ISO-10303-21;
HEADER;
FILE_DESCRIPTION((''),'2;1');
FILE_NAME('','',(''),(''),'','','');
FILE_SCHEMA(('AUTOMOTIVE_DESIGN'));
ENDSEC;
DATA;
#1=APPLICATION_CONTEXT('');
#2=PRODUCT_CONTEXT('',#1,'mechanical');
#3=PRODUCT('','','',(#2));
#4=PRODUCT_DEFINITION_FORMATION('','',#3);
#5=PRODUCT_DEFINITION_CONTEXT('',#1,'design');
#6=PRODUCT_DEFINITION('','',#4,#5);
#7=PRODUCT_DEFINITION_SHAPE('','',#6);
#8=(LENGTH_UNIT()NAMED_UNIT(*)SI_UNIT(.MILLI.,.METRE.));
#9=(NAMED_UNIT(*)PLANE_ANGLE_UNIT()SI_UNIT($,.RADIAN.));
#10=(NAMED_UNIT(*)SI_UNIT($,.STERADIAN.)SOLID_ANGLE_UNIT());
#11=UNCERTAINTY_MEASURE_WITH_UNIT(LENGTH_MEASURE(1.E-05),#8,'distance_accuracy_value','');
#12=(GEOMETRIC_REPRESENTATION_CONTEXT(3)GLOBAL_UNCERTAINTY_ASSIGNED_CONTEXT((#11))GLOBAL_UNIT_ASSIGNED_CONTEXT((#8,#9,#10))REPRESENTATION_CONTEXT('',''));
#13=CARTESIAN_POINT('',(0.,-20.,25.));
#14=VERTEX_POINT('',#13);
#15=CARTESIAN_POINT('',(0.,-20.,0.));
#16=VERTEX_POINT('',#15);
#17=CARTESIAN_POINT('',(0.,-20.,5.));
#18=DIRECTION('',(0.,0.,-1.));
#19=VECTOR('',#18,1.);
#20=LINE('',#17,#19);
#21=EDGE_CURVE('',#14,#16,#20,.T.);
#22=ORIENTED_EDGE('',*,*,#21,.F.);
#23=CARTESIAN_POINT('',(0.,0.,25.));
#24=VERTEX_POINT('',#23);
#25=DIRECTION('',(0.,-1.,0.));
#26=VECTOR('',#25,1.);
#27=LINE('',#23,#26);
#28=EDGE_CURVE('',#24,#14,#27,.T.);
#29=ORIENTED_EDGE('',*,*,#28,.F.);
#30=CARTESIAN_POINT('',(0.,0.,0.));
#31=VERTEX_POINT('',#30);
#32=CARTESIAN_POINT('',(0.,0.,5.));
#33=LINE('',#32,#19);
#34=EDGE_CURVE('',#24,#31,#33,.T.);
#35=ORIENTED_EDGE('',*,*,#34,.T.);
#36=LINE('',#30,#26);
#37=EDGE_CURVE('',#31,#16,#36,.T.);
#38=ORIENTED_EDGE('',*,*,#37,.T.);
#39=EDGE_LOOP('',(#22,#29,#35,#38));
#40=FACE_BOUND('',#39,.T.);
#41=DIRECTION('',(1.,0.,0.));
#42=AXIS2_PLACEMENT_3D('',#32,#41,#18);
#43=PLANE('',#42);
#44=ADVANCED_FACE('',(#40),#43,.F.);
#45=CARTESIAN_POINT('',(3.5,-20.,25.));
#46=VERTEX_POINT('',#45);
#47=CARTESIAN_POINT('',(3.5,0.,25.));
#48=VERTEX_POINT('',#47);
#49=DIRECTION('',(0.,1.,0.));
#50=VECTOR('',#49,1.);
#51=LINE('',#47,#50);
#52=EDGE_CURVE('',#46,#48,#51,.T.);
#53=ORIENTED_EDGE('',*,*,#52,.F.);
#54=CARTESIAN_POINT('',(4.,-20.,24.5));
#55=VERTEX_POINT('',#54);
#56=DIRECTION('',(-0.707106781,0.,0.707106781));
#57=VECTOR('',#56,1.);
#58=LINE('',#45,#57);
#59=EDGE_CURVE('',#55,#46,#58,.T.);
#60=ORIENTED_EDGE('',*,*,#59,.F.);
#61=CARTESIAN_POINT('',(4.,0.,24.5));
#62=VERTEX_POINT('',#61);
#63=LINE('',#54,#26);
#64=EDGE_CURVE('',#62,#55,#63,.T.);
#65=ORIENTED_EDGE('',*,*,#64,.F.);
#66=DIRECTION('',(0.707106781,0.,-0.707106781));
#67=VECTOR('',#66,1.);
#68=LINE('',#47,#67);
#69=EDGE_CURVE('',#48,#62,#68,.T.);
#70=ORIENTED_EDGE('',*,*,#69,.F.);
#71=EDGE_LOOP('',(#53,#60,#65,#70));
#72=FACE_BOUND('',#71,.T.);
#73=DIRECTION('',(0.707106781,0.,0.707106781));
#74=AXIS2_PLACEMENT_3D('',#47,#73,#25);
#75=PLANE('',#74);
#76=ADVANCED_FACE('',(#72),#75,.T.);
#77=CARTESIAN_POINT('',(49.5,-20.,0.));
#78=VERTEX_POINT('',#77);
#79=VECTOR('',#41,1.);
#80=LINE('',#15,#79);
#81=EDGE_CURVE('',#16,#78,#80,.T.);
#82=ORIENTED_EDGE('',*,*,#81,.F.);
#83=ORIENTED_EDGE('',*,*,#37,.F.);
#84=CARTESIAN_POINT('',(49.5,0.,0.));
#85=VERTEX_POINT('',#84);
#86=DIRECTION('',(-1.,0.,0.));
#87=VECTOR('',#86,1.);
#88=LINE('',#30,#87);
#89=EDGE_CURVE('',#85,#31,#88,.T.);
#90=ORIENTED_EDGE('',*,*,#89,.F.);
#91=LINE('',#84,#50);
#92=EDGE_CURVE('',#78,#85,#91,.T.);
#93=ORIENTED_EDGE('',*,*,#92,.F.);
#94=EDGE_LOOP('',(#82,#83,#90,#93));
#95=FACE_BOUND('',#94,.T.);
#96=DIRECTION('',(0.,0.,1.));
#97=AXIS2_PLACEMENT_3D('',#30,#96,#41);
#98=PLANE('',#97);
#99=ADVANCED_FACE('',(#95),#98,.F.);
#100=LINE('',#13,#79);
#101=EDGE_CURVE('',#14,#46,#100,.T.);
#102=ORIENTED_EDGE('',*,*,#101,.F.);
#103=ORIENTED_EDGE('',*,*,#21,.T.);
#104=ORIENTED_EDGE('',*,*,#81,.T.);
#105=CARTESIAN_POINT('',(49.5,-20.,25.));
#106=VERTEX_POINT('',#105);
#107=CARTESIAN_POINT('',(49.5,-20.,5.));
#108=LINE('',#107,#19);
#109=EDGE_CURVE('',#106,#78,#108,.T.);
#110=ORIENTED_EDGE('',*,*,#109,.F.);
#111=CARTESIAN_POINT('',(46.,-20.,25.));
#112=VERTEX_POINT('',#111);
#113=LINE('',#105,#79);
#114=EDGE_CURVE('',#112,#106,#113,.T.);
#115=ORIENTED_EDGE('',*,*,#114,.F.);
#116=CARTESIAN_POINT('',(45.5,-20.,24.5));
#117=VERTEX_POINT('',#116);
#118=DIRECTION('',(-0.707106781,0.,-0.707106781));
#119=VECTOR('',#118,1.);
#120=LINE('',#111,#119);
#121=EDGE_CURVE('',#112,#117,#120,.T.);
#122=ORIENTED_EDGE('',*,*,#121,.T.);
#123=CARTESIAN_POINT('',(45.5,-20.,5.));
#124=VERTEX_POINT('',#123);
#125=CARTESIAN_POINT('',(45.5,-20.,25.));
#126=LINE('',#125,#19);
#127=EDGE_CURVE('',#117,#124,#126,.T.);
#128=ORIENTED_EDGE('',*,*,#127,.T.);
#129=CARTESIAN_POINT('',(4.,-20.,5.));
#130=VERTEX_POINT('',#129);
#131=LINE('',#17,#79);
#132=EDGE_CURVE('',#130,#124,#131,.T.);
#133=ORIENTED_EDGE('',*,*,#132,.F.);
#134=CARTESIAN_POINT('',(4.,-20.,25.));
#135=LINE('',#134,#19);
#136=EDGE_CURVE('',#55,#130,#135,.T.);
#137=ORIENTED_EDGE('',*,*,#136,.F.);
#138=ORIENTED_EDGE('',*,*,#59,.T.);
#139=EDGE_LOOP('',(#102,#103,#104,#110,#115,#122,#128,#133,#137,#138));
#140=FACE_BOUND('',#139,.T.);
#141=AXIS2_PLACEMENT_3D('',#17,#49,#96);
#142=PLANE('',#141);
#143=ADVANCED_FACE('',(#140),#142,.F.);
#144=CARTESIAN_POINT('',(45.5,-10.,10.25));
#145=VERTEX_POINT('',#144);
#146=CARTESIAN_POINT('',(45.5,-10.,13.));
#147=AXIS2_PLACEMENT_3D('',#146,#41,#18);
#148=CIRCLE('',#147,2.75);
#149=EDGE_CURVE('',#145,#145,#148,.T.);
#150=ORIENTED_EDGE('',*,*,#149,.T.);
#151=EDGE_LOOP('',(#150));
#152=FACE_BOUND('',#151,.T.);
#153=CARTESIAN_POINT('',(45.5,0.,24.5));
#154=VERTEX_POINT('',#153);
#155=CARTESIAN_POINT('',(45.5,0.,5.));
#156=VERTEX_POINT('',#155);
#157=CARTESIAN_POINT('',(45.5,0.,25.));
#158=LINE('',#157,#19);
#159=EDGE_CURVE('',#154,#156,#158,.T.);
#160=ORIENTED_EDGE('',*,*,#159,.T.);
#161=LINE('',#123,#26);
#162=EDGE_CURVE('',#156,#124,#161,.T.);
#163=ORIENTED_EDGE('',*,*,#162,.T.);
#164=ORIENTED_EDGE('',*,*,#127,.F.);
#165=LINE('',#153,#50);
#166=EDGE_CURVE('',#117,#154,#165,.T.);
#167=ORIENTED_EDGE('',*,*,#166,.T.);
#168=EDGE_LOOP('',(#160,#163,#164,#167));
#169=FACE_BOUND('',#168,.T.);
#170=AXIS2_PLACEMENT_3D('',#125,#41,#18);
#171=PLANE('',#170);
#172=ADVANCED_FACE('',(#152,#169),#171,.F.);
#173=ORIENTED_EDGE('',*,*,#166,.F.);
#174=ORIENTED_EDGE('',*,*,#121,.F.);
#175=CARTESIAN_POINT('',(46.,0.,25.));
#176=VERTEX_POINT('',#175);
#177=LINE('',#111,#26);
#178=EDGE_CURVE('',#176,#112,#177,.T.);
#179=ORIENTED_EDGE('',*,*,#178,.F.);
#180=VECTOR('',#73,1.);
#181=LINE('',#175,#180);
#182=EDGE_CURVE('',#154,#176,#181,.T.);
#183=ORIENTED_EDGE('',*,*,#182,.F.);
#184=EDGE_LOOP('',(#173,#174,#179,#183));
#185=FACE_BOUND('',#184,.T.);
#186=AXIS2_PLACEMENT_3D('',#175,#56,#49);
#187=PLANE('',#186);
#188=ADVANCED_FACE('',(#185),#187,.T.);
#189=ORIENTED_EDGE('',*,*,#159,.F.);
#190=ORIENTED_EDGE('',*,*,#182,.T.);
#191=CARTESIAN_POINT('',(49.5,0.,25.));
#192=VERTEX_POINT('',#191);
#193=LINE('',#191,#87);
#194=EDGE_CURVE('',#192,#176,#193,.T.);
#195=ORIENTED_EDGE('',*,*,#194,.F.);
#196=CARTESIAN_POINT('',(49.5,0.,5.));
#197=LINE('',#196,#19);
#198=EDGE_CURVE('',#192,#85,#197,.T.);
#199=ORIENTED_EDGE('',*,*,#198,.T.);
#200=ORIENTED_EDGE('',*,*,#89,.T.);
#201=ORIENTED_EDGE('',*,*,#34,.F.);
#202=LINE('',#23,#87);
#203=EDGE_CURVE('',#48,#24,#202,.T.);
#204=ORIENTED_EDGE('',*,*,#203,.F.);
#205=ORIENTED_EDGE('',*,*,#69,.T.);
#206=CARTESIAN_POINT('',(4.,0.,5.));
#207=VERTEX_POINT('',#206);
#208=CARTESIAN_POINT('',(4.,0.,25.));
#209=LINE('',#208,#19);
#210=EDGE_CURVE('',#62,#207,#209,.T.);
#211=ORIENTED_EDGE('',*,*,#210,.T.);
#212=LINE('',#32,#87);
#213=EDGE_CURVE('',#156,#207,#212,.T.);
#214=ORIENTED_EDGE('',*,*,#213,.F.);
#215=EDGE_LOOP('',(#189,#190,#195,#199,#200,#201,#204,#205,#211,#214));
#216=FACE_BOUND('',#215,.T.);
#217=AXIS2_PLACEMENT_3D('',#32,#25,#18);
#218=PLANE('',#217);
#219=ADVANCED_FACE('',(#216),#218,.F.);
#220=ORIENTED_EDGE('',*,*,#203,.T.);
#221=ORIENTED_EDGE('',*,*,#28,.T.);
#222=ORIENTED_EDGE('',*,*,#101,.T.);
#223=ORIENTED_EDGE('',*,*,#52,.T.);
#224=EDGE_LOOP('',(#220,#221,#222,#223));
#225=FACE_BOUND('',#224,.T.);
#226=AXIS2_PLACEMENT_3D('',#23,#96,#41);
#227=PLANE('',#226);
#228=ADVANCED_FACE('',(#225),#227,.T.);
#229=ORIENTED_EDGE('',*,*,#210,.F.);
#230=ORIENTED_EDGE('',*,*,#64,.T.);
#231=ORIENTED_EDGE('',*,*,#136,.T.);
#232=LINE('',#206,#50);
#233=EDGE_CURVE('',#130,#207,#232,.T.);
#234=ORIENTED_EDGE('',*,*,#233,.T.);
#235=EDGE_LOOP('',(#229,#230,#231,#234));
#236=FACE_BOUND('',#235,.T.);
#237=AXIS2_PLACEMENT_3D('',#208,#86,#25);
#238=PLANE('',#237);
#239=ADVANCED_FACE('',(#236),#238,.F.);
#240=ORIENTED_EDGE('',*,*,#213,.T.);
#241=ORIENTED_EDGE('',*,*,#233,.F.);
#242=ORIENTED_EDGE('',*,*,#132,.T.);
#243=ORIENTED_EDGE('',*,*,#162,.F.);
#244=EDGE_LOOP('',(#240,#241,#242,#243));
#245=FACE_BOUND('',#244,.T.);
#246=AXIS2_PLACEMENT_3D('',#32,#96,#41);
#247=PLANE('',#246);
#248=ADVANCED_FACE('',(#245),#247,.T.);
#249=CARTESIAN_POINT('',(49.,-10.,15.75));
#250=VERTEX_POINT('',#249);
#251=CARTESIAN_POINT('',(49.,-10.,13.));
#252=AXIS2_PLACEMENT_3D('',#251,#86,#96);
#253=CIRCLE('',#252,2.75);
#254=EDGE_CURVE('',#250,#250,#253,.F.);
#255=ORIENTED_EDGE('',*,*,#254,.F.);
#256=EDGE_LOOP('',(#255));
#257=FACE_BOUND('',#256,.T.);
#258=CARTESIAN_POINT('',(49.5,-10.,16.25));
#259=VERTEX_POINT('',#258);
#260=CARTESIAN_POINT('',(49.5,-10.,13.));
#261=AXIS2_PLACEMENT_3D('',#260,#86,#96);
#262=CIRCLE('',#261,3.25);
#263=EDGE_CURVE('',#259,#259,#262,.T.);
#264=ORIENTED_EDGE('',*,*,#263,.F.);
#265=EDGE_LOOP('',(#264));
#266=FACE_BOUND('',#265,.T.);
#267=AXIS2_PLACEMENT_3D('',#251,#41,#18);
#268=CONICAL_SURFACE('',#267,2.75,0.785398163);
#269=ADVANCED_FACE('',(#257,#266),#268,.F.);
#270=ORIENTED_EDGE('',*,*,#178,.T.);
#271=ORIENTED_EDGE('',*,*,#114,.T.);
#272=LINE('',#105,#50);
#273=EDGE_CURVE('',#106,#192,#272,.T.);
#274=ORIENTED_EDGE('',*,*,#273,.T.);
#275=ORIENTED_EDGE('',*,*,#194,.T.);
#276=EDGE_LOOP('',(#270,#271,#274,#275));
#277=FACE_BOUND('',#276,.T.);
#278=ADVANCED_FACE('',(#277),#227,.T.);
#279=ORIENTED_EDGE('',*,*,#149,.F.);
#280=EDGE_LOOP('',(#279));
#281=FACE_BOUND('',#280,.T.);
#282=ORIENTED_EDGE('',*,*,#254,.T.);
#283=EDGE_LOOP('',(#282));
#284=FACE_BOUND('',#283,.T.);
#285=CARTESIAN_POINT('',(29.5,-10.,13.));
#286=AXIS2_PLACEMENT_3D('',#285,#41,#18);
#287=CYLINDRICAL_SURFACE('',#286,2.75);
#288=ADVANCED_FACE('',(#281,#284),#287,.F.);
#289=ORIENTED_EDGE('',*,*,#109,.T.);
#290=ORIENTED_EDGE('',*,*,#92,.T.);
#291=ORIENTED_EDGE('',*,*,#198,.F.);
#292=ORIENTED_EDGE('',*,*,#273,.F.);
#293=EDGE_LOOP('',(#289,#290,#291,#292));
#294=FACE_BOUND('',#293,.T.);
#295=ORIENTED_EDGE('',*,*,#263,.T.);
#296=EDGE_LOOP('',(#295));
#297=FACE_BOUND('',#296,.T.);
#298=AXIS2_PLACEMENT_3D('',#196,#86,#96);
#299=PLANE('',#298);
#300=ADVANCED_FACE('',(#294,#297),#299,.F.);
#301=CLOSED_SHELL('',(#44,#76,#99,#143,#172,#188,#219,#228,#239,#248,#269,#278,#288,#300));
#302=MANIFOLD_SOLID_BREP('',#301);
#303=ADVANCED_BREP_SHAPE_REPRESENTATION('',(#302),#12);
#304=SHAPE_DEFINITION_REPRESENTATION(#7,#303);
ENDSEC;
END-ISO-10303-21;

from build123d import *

# Parameters (mm, degrees)
SKETCH_1_W          = 49.5
SKETCH_1_H          = 20
EXTRUDE_1_DEPTH     = 5
SKETCH_3_W          = 4
SKETCH_3_H          = 20
EXTRUDE_2_DEPTH     = 20
CHAMFER_1_SIZE      = 0.5
SKETCH_4_R          = 2.75
CUT_EXTRUDE_1_DEPTH = 20
CHAMFER_2_SIZE      = 0.5


with BuildPart() as part:
    # 草图1 → 凸台-拉伸1 (new body)
    with BuildSketch(Plane.XY):
        with Locations((24.75, -10)):
            Rectangle(SKETCH_1_W, SKETCH_1_H)
    extrude(amount=EXTRUDE_1_DEPTH)

    # 草图3 → 凸台-拉伸2 (add)
    with BuildSketch(Plane.XY.offset(5)):
        with Locations((47.5, -10)):
            Rectangle(SKETCH_3_W, SKETCH_3_H)
        with Locations((2, -10)):
            Rectangle(SKETCH_3_W, SKETCH_3_H)
    extrude(amount=EXTRUDE_2_DEPTH)

    # 倒角1
    chamfer_1_edges = [part.edges().sort_by_distance(p)[0] for p in [
        (45.5, -10, 25),
        (4, -10, 25),
    ]]
    chamfer(chamfer_1_edges, length=CHAMFER_1_SIZE)

    # 草图4 → 切除-拉伸1 (cut)
    with BuildSketch(Plane(origin=(49.5, 0, 0), x_dir=(0, 0, -1), z_dir=(1, 0, 0))):
        with Locations((-13, -10)):
            Circle(SKETCH_4_R)
    extrude(amount=-CUT_EXTRUDE_1_DEPTH, mode=Mode.SUBTRACT)

    # 倒角2
    chamfer_2_edges = [part.edges().sort_by_distance(p)[0] for p in [
        (49.5, -10, 15.75),
    ]]
    chamfer(chamfer_2_edges, length=CHAMFER_2_SIZE)


solid = part.part
